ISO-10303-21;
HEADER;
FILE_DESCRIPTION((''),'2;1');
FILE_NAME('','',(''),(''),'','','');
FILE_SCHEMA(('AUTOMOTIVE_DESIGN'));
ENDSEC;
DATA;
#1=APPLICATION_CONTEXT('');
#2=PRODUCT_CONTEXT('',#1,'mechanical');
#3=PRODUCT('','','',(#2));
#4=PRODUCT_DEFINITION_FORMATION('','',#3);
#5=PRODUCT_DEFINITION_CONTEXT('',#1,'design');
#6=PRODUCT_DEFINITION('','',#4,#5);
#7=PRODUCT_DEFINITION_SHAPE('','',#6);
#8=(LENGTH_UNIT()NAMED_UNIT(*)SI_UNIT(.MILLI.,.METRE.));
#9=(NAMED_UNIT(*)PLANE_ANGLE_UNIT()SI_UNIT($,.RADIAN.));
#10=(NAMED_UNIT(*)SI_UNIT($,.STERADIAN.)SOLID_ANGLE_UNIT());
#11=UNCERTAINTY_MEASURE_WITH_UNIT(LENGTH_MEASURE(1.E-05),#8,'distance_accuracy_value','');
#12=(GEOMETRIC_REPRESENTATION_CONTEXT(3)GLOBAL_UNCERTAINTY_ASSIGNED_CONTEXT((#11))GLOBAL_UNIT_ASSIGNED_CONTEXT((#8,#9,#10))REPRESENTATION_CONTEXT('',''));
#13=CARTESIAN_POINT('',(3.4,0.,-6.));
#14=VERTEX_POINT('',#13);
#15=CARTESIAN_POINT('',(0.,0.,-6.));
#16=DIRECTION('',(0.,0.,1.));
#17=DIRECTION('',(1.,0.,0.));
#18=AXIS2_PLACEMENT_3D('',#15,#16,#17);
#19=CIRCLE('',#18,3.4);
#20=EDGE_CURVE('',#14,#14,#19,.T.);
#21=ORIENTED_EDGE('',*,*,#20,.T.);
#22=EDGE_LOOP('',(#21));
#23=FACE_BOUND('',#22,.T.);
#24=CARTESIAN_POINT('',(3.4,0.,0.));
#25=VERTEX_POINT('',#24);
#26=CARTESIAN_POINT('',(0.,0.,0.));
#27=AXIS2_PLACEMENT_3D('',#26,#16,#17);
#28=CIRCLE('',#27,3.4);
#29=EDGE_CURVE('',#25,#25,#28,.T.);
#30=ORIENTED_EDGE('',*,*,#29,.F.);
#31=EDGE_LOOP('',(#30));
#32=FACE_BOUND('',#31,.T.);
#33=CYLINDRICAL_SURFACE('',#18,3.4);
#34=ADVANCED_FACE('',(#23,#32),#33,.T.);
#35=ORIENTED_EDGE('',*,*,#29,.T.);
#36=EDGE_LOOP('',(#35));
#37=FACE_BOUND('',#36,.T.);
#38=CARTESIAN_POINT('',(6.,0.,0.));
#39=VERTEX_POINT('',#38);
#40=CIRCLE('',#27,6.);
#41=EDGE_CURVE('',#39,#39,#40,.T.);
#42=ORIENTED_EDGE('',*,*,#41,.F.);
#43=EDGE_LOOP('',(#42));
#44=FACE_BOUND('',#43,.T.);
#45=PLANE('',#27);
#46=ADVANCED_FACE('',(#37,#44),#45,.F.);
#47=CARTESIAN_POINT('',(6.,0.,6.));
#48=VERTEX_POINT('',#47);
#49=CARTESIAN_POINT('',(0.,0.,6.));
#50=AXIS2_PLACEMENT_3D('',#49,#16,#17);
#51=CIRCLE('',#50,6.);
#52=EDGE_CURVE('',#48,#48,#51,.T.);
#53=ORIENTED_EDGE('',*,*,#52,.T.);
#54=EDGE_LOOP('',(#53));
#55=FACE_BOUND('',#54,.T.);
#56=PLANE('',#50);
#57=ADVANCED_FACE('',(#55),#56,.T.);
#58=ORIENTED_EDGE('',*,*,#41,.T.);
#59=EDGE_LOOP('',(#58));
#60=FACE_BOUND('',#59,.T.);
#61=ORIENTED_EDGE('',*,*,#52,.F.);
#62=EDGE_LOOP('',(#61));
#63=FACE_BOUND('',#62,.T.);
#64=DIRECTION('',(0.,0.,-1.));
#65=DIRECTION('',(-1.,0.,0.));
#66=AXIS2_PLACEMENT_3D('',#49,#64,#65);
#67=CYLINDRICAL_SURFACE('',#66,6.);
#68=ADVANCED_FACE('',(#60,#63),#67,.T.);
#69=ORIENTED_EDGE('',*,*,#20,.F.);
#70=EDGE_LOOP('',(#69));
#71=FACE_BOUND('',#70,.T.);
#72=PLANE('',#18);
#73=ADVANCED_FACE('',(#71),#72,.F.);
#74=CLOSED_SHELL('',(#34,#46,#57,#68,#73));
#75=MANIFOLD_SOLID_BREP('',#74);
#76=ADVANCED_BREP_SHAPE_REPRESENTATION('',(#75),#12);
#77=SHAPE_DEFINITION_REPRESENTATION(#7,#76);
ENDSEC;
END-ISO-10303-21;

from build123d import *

# Parameters (mm, degrees)
SKETCH1_R           = 6
BOSS_EXTRUDE1_DEPTH = 6
SKETCH1_3_R         = 3.4
BOSS_EXTRUDE2_DEPTH = 6


with BuildPart() as part:
    # Sketch1 → Boss-Extrude1 (new body)
    with BuildSketch(Plane.XY):
        Circle(SKETCH1_R)
    extrude(amount=BOSS_EXTRUDE1_DEPTH)

    # Sketch1<3> → Boss-Extrude2 (add)
    with BuildSketch(Plane.XY):
        Circle(SKETCH1_3_R)
    extrude(amount=-BOSS_EXTRUDE2_DEPTH)


solid = part.part
